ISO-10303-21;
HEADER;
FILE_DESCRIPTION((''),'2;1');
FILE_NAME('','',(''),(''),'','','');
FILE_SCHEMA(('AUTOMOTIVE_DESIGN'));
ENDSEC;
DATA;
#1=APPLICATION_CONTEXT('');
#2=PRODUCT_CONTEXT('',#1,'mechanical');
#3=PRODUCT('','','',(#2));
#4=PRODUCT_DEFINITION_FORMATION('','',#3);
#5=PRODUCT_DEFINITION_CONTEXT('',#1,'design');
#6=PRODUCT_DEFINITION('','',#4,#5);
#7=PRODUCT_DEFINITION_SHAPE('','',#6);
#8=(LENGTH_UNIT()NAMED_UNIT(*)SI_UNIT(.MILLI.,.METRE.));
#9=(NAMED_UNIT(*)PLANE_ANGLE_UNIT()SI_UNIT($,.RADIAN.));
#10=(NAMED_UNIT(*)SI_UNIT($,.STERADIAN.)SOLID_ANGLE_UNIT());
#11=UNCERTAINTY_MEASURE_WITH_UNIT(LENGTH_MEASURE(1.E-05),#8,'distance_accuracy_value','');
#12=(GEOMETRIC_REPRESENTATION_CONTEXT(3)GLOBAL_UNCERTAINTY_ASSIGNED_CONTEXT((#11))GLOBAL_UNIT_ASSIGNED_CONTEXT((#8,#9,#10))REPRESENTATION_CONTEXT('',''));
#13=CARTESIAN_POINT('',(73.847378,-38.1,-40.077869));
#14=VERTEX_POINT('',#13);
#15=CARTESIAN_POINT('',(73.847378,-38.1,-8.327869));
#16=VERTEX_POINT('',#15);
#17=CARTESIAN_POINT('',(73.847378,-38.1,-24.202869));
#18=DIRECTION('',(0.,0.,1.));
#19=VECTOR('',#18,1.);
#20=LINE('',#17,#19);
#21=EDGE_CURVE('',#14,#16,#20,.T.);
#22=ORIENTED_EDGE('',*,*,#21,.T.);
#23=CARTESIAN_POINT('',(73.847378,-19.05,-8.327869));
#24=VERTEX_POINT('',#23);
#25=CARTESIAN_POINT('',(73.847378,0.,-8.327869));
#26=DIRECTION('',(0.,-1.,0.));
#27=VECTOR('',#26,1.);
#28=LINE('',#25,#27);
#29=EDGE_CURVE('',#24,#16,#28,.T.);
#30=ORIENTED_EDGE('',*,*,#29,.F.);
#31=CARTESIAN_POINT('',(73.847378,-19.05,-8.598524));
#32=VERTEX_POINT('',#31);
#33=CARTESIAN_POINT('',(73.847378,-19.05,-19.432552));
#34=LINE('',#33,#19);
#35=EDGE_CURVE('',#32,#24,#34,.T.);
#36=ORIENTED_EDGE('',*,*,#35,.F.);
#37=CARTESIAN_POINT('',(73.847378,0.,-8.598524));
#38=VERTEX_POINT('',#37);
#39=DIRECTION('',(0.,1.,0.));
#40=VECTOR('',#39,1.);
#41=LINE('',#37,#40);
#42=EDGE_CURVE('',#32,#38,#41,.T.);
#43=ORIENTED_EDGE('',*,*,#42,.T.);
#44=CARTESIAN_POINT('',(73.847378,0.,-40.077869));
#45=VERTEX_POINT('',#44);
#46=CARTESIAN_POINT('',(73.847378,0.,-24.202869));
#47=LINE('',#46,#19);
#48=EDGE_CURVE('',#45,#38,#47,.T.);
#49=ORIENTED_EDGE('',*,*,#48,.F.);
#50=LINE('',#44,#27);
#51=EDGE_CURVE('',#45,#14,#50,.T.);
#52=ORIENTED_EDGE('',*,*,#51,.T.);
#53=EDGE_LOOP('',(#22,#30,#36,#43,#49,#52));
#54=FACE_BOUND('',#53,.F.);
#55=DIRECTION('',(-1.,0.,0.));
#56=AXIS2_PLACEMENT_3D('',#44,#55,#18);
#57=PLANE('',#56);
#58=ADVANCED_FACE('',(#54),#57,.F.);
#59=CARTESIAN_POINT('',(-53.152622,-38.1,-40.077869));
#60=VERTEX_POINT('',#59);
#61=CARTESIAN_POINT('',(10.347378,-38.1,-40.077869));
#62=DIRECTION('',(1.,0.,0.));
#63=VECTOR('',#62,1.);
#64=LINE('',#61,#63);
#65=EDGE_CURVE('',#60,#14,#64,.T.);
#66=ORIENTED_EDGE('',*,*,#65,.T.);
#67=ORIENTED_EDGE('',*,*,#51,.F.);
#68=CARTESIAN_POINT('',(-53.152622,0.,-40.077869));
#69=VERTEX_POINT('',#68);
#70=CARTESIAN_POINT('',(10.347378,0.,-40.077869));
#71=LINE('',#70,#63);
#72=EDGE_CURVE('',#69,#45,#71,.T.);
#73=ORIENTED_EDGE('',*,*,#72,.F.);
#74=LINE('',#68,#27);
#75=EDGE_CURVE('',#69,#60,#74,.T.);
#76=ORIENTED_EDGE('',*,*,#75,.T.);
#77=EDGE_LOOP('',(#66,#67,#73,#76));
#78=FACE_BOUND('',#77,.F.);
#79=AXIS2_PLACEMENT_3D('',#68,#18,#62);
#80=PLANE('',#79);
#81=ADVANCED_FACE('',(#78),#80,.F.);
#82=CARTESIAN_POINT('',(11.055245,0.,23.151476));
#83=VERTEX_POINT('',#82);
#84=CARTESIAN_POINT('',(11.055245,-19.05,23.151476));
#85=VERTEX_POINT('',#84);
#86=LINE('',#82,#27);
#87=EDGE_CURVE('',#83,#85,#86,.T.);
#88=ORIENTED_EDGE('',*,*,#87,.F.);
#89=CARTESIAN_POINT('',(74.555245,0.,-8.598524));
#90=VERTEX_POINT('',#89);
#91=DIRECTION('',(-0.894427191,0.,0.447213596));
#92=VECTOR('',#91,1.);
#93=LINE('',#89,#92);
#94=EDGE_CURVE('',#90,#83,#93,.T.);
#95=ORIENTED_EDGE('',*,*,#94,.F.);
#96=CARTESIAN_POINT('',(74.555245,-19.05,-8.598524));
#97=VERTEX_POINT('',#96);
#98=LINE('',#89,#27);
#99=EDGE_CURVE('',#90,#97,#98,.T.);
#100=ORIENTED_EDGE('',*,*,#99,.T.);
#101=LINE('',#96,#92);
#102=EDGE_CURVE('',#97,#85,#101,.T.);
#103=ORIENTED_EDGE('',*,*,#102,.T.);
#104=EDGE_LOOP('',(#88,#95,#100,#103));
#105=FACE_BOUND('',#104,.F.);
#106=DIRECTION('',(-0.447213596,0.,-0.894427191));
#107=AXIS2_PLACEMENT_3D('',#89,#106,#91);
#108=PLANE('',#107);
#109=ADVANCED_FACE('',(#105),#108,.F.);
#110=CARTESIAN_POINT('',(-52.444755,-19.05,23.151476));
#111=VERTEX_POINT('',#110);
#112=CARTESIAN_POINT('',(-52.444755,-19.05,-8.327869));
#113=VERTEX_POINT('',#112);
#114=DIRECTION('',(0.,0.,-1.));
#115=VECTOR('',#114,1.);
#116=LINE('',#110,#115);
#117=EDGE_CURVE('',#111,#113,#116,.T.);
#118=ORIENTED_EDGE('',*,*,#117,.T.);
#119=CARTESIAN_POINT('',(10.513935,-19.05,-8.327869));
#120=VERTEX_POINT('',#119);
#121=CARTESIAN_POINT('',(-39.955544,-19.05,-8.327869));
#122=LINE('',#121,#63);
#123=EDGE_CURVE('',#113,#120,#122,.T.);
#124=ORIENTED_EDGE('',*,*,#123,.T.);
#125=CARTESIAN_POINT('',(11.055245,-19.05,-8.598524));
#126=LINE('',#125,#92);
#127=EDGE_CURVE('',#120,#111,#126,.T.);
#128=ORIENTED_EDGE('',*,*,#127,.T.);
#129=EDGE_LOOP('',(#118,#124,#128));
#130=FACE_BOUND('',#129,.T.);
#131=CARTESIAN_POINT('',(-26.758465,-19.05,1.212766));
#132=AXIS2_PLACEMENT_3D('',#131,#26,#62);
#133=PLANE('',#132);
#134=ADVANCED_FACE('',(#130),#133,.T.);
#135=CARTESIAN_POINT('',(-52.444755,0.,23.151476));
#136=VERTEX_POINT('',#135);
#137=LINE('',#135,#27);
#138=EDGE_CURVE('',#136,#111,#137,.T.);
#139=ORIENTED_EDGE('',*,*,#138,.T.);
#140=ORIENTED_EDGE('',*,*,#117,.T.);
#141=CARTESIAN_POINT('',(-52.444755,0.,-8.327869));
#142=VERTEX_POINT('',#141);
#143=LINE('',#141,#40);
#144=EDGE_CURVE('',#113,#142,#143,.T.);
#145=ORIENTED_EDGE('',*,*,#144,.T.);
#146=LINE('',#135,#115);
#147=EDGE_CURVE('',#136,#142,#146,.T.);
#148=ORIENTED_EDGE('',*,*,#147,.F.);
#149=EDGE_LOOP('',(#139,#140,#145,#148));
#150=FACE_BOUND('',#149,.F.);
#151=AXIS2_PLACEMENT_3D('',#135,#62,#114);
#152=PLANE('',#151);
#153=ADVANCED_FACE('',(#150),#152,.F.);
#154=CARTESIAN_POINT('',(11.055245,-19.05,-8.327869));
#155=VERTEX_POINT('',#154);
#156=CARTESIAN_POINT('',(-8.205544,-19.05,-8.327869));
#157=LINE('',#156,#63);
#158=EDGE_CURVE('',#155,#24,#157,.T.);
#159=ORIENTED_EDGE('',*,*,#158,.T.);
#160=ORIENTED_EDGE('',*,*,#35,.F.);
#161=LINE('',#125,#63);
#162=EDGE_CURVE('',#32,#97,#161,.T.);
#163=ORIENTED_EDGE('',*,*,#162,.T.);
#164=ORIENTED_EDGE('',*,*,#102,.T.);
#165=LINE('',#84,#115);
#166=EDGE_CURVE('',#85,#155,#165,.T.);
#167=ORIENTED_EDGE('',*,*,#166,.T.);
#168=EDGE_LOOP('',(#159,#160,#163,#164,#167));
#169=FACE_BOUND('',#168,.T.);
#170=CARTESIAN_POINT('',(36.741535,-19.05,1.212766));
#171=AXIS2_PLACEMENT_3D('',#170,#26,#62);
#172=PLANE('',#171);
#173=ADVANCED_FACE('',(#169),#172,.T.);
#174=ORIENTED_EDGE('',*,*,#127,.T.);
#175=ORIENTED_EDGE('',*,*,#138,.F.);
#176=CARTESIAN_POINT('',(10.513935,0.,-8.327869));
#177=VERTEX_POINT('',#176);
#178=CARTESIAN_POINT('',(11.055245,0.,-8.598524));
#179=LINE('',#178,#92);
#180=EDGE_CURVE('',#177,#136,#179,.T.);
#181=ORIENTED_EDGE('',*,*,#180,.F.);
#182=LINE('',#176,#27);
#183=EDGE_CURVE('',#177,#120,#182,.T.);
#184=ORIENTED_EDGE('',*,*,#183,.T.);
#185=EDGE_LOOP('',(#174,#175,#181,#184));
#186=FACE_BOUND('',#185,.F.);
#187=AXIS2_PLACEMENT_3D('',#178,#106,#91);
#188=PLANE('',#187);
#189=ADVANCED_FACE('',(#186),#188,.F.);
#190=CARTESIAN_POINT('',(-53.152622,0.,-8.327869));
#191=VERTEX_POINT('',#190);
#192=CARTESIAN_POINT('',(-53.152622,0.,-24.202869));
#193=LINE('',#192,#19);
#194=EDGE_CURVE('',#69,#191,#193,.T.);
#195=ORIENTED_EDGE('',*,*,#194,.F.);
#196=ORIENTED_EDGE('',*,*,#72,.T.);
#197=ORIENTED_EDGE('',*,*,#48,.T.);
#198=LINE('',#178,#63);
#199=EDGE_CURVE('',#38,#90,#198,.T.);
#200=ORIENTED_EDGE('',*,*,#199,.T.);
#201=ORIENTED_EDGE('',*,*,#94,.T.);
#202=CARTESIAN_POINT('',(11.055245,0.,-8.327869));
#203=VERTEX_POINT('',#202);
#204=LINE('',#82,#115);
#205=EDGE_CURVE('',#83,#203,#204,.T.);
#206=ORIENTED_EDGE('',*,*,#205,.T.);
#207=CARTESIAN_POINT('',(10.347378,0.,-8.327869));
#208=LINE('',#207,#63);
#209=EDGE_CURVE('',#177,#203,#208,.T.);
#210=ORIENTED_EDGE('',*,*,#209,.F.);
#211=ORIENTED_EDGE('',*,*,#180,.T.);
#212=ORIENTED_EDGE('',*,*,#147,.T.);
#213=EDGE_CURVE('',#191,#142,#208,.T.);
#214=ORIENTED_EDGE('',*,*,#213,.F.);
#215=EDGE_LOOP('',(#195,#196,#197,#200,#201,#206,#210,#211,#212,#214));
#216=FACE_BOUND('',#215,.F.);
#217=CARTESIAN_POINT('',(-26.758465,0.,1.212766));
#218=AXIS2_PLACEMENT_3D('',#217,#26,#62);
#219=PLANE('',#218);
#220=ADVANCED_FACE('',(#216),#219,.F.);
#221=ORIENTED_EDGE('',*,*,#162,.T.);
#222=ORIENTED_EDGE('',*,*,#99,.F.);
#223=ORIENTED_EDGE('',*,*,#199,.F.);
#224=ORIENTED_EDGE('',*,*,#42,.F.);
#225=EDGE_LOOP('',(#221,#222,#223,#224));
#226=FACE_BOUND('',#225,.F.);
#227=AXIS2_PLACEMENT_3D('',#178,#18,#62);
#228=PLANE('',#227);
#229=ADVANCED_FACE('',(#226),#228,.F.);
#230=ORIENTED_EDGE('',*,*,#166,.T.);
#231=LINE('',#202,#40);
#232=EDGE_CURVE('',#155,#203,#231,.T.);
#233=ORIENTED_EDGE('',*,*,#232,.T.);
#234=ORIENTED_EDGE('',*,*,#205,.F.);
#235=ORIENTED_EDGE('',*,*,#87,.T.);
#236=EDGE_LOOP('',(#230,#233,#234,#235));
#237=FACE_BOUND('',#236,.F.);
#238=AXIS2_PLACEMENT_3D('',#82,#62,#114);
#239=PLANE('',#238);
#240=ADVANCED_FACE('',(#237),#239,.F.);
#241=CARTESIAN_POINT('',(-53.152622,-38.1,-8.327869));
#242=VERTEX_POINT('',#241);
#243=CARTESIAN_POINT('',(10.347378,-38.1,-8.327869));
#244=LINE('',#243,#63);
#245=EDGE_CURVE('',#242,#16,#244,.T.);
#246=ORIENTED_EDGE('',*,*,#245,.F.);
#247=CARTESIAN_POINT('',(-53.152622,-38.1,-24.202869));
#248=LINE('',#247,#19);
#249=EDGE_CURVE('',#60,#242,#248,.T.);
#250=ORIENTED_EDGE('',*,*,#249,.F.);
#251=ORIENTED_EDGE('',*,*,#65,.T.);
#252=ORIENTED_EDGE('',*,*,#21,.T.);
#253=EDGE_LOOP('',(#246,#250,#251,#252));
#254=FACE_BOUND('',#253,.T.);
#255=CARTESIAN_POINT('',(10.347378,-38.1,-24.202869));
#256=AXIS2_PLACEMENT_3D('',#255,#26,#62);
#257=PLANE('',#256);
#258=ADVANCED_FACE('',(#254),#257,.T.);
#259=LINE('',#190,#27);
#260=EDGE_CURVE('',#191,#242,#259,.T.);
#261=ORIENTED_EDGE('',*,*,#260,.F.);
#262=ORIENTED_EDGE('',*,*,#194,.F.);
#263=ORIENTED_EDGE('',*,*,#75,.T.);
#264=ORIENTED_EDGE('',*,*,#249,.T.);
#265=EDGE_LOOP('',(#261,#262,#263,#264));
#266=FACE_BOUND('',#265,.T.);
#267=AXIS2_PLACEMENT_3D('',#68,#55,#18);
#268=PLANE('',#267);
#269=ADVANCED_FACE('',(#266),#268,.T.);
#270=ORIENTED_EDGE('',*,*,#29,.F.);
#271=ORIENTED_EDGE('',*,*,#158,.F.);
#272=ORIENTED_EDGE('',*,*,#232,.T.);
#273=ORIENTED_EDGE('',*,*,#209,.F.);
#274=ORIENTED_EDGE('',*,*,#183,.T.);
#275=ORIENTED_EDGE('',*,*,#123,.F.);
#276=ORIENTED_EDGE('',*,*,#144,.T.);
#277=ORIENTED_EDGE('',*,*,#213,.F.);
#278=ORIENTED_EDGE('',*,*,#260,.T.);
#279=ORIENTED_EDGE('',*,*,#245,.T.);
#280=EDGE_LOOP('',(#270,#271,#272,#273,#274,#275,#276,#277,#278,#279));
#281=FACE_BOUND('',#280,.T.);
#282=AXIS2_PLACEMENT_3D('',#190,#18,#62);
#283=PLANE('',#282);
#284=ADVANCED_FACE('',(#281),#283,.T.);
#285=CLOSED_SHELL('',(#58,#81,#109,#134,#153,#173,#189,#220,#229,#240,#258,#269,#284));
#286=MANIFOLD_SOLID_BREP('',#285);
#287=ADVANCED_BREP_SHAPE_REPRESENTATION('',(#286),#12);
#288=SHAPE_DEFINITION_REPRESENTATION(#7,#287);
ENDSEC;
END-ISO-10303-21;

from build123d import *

# Parameters (mm, degrees)
F0_W     = 127
F0_H     = 31.75
F1_DEPTH = 38.1
F3_DEPTH = 19.05


with BuildPart() as f1:
    # F0 (on Front) → F1 (new body)
    with BuildSketch(Plane.XZ):
        with Locations((10.347378, -24.202869)):
            Rectangle(F0_W, F0_H)
    extrude(amount=F1_DEPTH)

    # F2 (on Front) → F3 (join)
    with BuildSketch(Plane.XZ):
        Polygon((-52.444755, 23.151476), (-52.444755, -8.598524), (11.055245, -8.598524), align=None)
        Polygon((11.055245, 23.151476), (11.055245, -8.598524), (74.555245, -8.598524), align=None)
    extrude(amount=F3_DEPTH)


solid = f1.part
